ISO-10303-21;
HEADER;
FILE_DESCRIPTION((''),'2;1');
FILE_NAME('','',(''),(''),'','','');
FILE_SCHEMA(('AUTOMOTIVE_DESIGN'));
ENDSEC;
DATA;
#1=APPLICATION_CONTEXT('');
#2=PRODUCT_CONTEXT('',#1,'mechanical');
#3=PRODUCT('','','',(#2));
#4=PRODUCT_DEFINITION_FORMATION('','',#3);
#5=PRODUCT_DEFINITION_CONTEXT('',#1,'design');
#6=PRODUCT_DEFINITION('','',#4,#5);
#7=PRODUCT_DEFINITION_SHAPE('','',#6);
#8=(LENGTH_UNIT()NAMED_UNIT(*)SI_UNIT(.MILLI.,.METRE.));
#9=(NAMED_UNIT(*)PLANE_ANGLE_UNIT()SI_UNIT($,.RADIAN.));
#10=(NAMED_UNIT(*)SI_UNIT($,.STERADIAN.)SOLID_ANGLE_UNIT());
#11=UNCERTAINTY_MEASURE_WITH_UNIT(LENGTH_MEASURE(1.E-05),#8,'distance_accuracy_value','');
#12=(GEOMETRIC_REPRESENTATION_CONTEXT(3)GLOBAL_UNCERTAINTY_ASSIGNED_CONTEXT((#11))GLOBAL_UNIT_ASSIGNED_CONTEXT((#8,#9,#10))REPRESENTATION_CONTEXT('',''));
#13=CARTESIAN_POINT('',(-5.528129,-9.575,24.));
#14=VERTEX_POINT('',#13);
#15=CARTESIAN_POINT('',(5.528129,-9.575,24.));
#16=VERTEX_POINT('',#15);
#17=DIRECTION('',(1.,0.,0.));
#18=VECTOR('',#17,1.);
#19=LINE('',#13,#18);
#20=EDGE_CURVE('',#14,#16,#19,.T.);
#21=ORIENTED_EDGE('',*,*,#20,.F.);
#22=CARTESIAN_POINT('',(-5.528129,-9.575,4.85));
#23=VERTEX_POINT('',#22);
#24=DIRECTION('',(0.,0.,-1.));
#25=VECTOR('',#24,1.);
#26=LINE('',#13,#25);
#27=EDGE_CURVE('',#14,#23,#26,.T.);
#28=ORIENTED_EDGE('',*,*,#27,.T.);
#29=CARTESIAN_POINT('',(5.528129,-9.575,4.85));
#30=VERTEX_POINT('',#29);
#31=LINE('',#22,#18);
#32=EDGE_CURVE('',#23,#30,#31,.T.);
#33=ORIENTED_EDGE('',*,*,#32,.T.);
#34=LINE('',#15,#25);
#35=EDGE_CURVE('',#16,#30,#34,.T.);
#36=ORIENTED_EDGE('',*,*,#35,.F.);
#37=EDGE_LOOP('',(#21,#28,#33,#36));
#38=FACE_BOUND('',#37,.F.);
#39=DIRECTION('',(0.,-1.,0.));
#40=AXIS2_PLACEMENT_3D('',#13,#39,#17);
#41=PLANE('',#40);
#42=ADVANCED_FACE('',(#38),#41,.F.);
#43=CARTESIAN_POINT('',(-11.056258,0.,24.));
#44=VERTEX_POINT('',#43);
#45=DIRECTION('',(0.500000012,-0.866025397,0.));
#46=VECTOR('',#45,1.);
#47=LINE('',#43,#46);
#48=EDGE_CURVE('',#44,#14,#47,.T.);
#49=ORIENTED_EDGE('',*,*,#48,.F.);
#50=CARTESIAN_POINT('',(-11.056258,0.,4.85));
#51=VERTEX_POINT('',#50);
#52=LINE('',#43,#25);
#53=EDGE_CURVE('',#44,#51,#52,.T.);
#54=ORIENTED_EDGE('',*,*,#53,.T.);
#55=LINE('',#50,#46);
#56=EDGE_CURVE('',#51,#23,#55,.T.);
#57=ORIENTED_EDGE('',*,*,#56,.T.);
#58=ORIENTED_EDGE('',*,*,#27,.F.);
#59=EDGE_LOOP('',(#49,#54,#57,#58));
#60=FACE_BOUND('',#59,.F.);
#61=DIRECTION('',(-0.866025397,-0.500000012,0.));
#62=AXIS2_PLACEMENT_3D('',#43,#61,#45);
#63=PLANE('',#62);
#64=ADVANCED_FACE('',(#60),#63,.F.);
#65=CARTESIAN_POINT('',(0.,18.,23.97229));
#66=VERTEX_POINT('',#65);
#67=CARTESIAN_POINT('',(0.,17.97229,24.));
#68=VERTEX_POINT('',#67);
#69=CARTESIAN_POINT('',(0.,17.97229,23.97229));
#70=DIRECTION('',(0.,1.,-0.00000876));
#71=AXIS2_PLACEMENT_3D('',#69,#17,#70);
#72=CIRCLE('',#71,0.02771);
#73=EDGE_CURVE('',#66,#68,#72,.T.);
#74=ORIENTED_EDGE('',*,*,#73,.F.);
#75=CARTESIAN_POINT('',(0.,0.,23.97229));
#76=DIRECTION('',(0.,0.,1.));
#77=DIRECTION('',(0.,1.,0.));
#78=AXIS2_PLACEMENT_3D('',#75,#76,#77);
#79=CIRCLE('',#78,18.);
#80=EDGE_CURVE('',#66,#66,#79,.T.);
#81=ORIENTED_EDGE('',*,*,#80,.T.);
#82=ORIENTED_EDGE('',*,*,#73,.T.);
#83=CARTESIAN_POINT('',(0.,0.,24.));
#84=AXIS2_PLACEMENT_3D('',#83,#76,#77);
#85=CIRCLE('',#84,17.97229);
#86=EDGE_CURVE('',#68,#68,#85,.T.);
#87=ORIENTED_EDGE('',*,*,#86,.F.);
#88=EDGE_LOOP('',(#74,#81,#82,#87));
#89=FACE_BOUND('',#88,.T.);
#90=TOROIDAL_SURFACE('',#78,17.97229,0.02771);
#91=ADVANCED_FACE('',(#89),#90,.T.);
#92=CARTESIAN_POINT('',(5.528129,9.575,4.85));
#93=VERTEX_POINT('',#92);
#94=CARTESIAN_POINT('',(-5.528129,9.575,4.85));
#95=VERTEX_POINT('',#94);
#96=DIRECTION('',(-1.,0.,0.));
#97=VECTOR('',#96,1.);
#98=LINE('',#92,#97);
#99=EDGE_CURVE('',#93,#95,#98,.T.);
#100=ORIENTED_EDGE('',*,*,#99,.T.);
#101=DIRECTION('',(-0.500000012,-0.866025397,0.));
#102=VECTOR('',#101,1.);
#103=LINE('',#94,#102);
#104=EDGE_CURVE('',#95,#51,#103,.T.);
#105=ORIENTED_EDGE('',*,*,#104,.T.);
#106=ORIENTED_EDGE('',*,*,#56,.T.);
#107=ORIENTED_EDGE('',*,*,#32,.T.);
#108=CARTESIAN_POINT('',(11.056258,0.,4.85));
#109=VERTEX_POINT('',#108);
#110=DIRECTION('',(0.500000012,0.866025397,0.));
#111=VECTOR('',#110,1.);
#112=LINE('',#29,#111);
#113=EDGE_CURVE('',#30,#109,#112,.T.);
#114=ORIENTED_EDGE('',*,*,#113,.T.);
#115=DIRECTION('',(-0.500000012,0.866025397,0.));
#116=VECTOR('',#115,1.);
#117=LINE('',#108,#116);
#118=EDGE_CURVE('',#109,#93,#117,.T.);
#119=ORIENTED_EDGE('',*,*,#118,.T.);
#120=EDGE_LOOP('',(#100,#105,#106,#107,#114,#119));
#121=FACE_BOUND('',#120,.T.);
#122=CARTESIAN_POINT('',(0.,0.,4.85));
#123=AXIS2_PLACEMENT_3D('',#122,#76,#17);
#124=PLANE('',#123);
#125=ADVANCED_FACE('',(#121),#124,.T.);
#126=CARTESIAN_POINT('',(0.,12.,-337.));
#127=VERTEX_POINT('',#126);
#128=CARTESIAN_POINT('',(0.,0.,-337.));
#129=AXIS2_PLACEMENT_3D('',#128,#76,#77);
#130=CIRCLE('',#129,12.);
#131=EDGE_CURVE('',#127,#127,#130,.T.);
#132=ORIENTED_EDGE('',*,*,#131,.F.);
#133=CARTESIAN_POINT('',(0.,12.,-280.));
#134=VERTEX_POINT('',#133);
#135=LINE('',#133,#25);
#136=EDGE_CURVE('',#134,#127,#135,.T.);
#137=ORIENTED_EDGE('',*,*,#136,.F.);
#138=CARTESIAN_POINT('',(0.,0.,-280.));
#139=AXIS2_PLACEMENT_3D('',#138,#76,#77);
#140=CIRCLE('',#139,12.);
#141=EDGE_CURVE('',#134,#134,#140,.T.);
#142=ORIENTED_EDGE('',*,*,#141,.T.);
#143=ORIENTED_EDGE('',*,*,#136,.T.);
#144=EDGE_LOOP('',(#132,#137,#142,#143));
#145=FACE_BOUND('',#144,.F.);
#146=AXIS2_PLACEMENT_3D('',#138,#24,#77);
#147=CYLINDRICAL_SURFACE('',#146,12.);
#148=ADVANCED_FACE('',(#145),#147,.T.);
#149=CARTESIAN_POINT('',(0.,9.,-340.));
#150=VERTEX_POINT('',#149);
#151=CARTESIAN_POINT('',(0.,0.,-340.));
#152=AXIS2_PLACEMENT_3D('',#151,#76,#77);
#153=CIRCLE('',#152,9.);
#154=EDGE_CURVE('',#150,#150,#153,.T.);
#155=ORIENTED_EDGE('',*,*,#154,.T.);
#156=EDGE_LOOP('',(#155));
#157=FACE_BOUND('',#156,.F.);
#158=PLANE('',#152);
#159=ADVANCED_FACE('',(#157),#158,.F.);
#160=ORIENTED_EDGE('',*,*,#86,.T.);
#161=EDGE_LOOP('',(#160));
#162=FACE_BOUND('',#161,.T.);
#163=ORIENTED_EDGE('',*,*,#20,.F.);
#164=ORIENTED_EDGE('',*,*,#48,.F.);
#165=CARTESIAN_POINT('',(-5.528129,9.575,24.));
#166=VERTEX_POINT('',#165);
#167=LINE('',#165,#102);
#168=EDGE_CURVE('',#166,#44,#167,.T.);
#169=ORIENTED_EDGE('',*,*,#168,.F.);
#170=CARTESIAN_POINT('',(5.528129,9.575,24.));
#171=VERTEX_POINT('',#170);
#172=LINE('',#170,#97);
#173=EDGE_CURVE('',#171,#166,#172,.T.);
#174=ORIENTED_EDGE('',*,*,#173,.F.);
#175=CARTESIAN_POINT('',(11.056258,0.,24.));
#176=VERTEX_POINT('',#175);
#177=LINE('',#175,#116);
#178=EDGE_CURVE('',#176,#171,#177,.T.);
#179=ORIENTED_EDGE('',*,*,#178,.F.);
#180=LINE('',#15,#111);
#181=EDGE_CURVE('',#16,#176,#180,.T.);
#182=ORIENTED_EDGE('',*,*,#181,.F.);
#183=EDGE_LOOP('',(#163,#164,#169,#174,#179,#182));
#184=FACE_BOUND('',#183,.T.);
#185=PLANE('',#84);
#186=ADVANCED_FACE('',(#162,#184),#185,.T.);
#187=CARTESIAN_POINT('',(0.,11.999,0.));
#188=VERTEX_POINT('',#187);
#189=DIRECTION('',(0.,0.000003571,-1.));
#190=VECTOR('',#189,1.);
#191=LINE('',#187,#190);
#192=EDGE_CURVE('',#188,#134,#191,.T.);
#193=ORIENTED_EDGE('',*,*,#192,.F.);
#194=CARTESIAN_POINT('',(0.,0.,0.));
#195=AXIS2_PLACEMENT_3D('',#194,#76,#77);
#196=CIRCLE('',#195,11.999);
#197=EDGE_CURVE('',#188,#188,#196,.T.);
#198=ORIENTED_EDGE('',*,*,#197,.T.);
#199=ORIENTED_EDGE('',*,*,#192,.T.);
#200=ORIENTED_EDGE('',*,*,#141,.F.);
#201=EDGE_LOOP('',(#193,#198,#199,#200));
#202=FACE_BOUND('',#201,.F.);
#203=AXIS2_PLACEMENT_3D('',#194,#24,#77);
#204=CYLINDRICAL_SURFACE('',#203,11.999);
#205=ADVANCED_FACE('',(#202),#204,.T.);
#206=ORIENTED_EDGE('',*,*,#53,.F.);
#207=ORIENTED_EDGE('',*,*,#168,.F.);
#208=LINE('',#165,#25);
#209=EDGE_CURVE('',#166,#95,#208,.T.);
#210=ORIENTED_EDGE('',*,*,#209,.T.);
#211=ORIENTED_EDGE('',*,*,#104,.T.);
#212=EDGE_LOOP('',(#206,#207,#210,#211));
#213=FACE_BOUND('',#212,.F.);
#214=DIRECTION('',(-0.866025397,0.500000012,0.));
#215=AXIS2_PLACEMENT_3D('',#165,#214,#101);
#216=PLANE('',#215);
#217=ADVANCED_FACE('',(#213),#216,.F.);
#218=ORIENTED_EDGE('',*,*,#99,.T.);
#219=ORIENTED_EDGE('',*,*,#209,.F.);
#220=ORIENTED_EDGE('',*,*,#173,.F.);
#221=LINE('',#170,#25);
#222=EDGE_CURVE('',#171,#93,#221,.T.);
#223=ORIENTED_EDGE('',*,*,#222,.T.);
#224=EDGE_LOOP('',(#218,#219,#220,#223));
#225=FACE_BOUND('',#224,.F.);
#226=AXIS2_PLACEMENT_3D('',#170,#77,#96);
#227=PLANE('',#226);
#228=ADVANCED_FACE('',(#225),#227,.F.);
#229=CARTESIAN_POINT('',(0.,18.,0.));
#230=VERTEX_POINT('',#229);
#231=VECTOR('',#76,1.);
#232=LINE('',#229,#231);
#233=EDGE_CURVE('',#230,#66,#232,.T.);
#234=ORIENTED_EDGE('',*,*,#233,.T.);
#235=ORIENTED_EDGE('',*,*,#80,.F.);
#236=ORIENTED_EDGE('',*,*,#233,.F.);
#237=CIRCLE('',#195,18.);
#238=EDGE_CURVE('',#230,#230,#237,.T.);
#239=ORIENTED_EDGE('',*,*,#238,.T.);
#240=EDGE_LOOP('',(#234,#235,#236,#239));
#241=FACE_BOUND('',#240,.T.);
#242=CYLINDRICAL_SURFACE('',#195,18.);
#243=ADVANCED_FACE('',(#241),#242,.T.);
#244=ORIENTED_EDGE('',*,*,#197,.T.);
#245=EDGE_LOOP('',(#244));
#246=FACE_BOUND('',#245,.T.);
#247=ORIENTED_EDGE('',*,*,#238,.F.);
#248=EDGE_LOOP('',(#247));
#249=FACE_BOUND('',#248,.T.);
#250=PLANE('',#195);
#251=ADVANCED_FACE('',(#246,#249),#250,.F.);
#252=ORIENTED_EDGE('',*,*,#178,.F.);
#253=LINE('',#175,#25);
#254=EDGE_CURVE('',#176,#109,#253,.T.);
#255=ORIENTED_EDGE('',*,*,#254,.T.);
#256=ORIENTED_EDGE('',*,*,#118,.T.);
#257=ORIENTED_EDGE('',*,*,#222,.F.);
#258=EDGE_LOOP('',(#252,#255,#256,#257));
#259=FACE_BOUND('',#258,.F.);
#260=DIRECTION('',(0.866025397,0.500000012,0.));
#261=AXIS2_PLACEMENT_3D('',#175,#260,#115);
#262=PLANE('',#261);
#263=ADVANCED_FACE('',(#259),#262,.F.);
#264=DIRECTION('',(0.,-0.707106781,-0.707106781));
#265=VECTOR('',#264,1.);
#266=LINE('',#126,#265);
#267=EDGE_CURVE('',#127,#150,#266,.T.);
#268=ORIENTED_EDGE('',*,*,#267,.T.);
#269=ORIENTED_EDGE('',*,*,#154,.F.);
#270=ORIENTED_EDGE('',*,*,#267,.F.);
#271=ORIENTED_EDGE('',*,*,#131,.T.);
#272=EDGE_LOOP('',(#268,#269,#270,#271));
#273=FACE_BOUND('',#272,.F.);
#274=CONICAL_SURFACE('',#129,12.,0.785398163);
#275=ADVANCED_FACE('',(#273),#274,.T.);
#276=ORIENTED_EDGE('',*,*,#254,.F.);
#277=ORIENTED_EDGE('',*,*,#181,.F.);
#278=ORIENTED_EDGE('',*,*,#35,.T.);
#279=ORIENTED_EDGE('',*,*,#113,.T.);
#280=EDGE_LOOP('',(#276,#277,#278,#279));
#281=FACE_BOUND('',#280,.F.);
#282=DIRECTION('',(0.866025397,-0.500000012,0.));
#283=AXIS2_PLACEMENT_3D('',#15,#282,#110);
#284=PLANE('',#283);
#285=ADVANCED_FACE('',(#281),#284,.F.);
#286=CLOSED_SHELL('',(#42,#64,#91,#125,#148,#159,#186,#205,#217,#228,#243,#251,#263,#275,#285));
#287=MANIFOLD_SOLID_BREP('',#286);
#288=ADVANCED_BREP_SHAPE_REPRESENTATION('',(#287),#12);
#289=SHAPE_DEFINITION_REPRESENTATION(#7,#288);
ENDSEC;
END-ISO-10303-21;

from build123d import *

# Parameters (mm, degrees)
POCKET_DEPTH = 19.15


with BuildPart() as part:
    # Sketch → Revolve (revolve)
    with BuildSketch(Plane.YZ):
        with BuildLine():
            Line((11.999, 0), (18, 0))
            Line((18, 0), (18, 23.97229))
            ThreePointArc((18, 23.97229), (17.991884, 23.991884), (17.97229, 24))
            Line((17.97229, 24), (0, 24))
            Line((0, -340), (0, 24))
            Line((9, -340), (0, -340))
            Line((12, -337), (9, -340))
            Line((12, -280), (12, -337))
            Line((11.999, 0), (12, -280))
        make_face()
    revolve(axis=Axis((0, 0, 0), (0, 0, 1)))

    # Sketch001 → Pocket (cut)
    with BuildSketch(Plane.XY.offset(24)):
        Polygon((11.056258, 0), (5.528129, 9.575), (-5.528129, 9.575), (-11.056258, 0), (-5.528129, -9.575), (5.528129, -9.575), align=None)
    extrude(amount=-POCKET_DEPTH, mode=Mode.SUBTRACT)


solid = part.part
